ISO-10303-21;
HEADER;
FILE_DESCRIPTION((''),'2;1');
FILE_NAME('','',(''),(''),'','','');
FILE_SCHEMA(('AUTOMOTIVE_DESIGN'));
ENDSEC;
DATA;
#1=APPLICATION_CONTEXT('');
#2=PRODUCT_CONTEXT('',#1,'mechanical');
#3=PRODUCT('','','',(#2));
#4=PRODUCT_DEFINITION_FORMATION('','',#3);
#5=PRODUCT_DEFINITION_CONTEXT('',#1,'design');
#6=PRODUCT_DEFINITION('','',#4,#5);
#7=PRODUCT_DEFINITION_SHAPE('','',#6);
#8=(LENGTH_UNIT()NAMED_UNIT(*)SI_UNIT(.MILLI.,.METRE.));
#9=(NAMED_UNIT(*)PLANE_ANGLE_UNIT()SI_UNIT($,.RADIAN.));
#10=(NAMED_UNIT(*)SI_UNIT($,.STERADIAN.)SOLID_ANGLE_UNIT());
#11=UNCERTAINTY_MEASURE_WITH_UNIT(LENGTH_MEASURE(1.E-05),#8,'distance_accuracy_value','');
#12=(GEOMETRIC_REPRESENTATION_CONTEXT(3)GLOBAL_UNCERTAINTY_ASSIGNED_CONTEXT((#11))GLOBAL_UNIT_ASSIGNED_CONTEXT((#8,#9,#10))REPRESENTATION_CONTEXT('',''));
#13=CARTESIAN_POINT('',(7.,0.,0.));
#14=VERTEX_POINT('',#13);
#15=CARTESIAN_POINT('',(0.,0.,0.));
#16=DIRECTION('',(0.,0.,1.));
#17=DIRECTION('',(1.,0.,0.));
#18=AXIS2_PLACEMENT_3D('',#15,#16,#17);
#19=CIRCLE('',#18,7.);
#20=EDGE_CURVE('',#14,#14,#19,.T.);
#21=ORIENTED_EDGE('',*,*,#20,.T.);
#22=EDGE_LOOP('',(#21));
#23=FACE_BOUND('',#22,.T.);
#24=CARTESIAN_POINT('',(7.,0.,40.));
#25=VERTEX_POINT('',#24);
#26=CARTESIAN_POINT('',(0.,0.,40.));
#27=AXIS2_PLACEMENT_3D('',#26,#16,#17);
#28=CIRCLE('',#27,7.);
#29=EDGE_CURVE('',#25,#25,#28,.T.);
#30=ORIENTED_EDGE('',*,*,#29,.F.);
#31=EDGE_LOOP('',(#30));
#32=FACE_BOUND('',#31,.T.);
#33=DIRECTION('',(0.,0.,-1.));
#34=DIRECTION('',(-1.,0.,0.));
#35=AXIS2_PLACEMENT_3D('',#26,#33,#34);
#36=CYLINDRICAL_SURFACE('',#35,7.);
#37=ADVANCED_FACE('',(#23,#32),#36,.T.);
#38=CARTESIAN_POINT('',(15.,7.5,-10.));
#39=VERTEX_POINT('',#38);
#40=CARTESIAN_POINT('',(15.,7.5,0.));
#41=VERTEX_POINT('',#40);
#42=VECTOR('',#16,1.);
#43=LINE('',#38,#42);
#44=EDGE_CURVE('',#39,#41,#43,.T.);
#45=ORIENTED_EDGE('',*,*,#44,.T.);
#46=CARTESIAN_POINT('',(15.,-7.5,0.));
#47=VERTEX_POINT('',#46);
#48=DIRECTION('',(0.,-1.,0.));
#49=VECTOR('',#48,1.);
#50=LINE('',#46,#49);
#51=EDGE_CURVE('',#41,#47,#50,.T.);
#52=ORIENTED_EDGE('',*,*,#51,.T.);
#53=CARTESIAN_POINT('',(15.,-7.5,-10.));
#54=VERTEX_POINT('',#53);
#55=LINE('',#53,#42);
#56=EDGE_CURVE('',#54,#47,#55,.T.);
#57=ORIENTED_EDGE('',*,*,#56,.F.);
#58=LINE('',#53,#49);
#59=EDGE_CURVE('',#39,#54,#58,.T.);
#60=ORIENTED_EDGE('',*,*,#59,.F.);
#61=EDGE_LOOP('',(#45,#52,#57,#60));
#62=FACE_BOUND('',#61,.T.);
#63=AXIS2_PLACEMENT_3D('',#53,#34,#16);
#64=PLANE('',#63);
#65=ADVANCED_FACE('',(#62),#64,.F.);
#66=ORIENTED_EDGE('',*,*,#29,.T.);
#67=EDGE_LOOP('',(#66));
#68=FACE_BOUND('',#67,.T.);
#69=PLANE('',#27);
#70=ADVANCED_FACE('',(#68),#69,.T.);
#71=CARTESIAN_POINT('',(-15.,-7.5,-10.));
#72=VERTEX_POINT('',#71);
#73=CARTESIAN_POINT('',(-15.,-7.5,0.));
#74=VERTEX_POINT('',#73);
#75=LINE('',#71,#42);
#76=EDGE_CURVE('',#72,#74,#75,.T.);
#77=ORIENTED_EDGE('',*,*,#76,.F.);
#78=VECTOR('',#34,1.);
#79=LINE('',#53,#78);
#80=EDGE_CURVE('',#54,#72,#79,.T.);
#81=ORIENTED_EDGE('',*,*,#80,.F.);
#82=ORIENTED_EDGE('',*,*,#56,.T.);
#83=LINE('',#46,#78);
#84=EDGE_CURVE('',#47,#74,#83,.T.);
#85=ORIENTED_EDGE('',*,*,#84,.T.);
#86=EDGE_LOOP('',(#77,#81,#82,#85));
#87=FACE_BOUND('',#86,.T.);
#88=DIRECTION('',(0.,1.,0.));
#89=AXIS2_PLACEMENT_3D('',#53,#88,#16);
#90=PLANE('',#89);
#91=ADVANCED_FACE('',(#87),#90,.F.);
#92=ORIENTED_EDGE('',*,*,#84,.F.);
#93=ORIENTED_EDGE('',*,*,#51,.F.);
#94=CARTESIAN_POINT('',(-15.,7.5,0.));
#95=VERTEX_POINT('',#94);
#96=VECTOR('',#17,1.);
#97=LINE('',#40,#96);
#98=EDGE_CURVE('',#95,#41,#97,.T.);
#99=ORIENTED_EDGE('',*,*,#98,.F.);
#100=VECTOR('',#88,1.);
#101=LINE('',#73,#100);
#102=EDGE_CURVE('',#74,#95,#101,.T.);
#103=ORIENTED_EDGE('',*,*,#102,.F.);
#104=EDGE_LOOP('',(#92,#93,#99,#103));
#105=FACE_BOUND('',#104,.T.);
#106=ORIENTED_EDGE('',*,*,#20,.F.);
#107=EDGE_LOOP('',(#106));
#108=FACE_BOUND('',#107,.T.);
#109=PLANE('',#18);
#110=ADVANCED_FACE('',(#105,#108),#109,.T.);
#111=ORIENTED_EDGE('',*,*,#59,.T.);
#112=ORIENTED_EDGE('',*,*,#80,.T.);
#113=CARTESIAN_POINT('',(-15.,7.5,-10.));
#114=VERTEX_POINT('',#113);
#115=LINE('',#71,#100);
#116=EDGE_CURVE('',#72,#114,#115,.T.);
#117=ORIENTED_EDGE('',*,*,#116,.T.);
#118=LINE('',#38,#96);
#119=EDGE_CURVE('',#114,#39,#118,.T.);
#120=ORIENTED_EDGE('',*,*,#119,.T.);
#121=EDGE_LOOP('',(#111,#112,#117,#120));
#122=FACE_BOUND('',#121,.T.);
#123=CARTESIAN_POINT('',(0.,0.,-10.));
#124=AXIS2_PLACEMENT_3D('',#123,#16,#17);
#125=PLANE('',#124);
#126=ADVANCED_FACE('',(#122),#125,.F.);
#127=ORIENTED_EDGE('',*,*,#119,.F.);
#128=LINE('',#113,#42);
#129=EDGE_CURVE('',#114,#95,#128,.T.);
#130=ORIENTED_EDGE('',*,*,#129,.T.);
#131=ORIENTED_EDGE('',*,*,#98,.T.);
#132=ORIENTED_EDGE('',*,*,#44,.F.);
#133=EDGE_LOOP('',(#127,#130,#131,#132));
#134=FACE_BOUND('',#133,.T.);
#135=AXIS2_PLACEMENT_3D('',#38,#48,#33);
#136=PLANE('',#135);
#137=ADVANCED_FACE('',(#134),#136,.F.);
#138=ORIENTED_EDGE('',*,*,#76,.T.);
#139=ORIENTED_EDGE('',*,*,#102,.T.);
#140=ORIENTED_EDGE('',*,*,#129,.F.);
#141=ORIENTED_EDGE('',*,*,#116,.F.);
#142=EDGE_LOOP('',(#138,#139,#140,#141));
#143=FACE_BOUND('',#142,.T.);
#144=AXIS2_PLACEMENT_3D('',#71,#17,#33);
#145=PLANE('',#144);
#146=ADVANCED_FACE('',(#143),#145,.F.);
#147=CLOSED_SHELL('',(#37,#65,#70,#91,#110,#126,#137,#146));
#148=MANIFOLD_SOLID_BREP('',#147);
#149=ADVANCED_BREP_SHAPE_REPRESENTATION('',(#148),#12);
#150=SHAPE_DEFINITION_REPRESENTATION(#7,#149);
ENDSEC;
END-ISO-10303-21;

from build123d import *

# Parameters (mm, degrees)
SKETCH1_R           = 7
BOSS_EXTRUDE1_DEPTH = 40
SKETCH2_W           = 30
SKETCH2_H           = 15
BOSS_EXTRUDE2_DEPTH = 10


with BuildPart() as part:
    # Sketch1 → Boss-Extrude1 (new body)
    with BuildSketch(Plane.XY):
        Circle(SKETCH1_R)
    extrude(amount=BOSS_EXTRUDE1_DEPTH)

    # Sketch2 → Boss-Extrude2 (add)
    with BuildSketch(Plane(origin=(0, 0, 0), x_dir=(-1, 0, 0), z_dir=(0, 0, -1))):
        Rectangle(SKETCH2_W, SKETCH2_H)
    extrude(amount=BOSS_EXTRUDE2_DEPTH)


solid = part.part
